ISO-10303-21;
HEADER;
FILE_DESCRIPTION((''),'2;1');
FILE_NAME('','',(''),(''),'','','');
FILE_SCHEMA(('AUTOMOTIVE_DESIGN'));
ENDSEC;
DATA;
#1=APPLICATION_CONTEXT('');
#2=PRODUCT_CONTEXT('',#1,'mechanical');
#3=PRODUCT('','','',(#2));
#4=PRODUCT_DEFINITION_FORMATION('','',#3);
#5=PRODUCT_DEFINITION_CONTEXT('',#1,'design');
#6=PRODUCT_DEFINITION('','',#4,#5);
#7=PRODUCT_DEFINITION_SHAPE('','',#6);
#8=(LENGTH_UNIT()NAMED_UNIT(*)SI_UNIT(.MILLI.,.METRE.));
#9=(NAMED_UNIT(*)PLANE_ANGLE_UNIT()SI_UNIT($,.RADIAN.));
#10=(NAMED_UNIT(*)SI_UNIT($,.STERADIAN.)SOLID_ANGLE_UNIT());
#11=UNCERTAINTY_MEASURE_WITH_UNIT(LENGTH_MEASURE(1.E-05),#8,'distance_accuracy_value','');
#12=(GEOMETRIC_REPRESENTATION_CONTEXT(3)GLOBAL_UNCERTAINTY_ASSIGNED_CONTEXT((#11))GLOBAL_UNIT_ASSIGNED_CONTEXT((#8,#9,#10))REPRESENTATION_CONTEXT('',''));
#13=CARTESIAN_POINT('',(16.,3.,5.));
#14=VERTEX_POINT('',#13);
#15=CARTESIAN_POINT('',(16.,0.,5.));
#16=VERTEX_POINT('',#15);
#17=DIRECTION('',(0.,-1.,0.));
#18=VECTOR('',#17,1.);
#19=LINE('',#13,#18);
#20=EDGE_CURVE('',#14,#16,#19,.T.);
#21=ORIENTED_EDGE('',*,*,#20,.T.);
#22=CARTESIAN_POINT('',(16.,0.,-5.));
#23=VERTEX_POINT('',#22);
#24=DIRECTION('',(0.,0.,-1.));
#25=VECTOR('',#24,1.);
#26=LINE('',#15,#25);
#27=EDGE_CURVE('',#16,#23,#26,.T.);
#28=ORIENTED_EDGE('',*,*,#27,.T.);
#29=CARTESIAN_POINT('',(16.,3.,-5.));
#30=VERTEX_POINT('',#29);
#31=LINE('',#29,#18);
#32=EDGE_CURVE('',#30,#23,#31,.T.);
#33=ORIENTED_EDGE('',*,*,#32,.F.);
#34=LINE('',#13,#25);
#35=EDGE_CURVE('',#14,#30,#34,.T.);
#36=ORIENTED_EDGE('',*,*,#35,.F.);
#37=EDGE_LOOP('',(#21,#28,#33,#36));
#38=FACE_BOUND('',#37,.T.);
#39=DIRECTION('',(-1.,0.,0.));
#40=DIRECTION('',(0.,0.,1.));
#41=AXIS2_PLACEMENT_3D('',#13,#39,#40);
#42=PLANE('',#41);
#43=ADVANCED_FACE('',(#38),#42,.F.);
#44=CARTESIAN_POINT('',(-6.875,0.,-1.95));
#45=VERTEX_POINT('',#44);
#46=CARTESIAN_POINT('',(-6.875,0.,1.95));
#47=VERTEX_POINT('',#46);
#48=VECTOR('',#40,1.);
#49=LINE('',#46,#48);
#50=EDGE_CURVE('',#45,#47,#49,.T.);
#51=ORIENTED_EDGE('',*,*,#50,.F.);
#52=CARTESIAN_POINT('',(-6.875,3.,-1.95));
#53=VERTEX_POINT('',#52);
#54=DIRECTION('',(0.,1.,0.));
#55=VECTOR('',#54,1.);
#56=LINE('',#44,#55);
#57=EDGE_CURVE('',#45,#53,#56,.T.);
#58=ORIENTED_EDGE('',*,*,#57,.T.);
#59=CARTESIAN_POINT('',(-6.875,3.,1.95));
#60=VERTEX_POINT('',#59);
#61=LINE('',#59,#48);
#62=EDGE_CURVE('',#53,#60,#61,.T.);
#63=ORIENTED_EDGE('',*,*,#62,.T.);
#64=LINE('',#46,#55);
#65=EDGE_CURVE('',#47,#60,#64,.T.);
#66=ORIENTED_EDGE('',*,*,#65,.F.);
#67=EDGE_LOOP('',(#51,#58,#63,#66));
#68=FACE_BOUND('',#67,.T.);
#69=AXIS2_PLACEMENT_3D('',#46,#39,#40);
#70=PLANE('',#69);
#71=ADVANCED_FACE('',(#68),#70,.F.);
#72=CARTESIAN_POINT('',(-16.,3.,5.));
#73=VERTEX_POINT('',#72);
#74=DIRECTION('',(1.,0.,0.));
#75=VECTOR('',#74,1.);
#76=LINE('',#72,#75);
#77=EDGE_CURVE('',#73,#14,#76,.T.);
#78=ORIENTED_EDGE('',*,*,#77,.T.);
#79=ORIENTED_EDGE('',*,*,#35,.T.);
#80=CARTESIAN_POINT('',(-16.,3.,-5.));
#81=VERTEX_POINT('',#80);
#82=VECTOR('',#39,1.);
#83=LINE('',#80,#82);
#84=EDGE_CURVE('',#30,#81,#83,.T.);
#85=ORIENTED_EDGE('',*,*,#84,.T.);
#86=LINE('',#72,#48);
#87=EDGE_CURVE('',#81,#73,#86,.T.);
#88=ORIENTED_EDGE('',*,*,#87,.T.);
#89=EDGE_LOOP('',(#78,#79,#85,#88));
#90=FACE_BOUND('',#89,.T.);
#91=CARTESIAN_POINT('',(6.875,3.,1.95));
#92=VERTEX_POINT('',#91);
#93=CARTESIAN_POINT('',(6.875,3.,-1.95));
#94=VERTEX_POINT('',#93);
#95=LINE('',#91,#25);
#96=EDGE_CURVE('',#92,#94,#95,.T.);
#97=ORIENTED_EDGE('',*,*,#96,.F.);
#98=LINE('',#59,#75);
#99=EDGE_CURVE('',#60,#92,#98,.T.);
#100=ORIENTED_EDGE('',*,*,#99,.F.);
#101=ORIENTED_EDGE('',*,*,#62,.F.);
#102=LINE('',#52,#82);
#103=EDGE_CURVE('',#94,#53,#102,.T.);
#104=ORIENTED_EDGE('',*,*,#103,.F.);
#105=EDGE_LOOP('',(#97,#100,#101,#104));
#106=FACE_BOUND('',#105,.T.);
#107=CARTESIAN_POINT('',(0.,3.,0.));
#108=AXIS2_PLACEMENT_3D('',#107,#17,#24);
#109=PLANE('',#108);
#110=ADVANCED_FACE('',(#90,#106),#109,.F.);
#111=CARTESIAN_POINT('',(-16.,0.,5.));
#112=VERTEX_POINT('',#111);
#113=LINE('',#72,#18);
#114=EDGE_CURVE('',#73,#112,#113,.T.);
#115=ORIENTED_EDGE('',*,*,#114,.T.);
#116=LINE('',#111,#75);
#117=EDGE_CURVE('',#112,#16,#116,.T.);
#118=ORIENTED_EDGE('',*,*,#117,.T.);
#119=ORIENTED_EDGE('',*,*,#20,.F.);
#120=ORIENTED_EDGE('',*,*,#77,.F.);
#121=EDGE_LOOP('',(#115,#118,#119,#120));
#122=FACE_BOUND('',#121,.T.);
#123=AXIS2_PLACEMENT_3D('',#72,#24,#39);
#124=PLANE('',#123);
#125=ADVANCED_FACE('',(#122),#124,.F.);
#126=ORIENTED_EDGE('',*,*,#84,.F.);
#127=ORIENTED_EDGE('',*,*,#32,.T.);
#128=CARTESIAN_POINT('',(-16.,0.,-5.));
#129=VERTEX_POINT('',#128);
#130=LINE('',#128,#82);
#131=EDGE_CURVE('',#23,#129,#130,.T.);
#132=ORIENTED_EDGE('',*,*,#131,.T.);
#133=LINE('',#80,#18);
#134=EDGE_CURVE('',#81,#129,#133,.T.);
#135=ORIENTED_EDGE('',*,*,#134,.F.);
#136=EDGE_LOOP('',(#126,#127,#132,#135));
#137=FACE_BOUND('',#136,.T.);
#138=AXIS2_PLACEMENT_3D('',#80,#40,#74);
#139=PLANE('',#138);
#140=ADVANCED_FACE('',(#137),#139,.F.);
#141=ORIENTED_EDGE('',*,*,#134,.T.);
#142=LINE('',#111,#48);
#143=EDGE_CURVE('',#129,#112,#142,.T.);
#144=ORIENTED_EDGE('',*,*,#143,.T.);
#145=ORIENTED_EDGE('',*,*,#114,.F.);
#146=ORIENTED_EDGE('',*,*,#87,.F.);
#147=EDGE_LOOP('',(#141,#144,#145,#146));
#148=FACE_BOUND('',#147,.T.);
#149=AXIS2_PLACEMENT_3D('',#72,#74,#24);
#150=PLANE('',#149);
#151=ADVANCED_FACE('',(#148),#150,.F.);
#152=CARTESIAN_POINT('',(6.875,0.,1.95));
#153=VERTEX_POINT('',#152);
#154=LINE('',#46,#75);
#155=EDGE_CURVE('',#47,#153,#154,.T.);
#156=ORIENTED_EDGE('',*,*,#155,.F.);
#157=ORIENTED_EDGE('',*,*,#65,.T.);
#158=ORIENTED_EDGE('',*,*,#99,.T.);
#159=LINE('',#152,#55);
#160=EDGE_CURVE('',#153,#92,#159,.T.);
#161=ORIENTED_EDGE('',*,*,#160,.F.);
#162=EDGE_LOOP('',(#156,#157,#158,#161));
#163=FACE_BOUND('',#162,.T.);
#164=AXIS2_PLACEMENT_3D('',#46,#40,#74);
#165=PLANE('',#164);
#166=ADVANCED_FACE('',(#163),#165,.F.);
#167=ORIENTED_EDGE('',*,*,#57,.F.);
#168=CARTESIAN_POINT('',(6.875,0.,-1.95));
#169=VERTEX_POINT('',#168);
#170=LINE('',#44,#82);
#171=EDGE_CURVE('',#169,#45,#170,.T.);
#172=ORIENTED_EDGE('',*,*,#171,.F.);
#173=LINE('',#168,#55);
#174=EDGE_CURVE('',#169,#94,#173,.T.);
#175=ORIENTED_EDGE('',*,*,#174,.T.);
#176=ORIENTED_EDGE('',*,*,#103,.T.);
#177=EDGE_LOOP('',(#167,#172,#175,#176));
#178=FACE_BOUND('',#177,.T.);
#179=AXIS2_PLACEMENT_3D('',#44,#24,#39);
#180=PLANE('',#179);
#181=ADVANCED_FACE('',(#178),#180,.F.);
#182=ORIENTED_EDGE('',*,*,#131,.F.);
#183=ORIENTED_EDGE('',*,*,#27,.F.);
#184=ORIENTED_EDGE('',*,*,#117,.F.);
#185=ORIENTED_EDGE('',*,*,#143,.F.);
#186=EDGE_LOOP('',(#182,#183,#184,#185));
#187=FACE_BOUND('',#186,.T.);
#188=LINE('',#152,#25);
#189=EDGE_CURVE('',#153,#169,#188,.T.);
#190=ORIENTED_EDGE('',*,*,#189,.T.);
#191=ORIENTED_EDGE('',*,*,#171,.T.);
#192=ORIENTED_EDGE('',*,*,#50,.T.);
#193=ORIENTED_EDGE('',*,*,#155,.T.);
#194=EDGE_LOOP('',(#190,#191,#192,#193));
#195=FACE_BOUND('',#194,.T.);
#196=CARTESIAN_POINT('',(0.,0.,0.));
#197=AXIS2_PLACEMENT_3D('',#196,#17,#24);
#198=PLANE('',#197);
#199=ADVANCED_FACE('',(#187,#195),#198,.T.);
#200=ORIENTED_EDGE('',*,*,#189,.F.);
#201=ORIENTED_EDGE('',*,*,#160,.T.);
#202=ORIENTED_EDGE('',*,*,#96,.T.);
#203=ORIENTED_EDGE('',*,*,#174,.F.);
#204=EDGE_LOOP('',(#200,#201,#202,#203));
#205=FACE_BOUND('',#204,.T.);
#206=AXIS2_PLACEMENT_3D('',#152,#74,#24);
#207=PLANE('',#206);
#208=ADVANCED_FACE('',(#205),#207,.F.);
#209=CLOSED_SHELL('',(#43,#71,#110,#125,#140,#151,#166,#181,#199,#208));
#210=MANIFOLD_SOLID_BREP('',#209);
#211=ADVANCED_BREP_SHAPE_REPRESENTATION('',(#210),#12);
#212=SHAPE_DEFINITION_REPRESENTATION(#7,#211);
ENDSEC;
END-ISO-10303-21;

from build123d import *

# Parameters (mm, degrees)
SKETCH_1_W          = 32
SKETCH_1_H          = 10
EXTRUDE_1_DEPTH     = 3
SKETCH_2_W          = 13.75
SKETCH_2_H          = 3.9
CUT_EXTRUDE_1_DEPTH = 4


with BuildPart() as part:
    # 草圖1 → 填料-伸長1 (new body)
    with BuildSketch(Plane(origin=(0, 0, 0), x_dir=(1, 0, 0), z_dir=(0, 1, 0))):
        Rectangle(SKETCH_1_W, SKETCH_1_H)
    extrude(amount=EXTRUDE_1_DEPTH)

    # 草圖2 → 除料-伸長1 (cut, through all)
    with BuildSketch(Plane(origin=(0, 3, 0), x_dir=(1, 0, 0), z_dir=(0, 1, 0))):
        Rectangle(SKETCH_2_W, SKETCH_2_H)
    extrude(amount=-CUT_EXTRUDE_1_DEPTH, mode=Mode.SUBTRACT)


solid = part.part
